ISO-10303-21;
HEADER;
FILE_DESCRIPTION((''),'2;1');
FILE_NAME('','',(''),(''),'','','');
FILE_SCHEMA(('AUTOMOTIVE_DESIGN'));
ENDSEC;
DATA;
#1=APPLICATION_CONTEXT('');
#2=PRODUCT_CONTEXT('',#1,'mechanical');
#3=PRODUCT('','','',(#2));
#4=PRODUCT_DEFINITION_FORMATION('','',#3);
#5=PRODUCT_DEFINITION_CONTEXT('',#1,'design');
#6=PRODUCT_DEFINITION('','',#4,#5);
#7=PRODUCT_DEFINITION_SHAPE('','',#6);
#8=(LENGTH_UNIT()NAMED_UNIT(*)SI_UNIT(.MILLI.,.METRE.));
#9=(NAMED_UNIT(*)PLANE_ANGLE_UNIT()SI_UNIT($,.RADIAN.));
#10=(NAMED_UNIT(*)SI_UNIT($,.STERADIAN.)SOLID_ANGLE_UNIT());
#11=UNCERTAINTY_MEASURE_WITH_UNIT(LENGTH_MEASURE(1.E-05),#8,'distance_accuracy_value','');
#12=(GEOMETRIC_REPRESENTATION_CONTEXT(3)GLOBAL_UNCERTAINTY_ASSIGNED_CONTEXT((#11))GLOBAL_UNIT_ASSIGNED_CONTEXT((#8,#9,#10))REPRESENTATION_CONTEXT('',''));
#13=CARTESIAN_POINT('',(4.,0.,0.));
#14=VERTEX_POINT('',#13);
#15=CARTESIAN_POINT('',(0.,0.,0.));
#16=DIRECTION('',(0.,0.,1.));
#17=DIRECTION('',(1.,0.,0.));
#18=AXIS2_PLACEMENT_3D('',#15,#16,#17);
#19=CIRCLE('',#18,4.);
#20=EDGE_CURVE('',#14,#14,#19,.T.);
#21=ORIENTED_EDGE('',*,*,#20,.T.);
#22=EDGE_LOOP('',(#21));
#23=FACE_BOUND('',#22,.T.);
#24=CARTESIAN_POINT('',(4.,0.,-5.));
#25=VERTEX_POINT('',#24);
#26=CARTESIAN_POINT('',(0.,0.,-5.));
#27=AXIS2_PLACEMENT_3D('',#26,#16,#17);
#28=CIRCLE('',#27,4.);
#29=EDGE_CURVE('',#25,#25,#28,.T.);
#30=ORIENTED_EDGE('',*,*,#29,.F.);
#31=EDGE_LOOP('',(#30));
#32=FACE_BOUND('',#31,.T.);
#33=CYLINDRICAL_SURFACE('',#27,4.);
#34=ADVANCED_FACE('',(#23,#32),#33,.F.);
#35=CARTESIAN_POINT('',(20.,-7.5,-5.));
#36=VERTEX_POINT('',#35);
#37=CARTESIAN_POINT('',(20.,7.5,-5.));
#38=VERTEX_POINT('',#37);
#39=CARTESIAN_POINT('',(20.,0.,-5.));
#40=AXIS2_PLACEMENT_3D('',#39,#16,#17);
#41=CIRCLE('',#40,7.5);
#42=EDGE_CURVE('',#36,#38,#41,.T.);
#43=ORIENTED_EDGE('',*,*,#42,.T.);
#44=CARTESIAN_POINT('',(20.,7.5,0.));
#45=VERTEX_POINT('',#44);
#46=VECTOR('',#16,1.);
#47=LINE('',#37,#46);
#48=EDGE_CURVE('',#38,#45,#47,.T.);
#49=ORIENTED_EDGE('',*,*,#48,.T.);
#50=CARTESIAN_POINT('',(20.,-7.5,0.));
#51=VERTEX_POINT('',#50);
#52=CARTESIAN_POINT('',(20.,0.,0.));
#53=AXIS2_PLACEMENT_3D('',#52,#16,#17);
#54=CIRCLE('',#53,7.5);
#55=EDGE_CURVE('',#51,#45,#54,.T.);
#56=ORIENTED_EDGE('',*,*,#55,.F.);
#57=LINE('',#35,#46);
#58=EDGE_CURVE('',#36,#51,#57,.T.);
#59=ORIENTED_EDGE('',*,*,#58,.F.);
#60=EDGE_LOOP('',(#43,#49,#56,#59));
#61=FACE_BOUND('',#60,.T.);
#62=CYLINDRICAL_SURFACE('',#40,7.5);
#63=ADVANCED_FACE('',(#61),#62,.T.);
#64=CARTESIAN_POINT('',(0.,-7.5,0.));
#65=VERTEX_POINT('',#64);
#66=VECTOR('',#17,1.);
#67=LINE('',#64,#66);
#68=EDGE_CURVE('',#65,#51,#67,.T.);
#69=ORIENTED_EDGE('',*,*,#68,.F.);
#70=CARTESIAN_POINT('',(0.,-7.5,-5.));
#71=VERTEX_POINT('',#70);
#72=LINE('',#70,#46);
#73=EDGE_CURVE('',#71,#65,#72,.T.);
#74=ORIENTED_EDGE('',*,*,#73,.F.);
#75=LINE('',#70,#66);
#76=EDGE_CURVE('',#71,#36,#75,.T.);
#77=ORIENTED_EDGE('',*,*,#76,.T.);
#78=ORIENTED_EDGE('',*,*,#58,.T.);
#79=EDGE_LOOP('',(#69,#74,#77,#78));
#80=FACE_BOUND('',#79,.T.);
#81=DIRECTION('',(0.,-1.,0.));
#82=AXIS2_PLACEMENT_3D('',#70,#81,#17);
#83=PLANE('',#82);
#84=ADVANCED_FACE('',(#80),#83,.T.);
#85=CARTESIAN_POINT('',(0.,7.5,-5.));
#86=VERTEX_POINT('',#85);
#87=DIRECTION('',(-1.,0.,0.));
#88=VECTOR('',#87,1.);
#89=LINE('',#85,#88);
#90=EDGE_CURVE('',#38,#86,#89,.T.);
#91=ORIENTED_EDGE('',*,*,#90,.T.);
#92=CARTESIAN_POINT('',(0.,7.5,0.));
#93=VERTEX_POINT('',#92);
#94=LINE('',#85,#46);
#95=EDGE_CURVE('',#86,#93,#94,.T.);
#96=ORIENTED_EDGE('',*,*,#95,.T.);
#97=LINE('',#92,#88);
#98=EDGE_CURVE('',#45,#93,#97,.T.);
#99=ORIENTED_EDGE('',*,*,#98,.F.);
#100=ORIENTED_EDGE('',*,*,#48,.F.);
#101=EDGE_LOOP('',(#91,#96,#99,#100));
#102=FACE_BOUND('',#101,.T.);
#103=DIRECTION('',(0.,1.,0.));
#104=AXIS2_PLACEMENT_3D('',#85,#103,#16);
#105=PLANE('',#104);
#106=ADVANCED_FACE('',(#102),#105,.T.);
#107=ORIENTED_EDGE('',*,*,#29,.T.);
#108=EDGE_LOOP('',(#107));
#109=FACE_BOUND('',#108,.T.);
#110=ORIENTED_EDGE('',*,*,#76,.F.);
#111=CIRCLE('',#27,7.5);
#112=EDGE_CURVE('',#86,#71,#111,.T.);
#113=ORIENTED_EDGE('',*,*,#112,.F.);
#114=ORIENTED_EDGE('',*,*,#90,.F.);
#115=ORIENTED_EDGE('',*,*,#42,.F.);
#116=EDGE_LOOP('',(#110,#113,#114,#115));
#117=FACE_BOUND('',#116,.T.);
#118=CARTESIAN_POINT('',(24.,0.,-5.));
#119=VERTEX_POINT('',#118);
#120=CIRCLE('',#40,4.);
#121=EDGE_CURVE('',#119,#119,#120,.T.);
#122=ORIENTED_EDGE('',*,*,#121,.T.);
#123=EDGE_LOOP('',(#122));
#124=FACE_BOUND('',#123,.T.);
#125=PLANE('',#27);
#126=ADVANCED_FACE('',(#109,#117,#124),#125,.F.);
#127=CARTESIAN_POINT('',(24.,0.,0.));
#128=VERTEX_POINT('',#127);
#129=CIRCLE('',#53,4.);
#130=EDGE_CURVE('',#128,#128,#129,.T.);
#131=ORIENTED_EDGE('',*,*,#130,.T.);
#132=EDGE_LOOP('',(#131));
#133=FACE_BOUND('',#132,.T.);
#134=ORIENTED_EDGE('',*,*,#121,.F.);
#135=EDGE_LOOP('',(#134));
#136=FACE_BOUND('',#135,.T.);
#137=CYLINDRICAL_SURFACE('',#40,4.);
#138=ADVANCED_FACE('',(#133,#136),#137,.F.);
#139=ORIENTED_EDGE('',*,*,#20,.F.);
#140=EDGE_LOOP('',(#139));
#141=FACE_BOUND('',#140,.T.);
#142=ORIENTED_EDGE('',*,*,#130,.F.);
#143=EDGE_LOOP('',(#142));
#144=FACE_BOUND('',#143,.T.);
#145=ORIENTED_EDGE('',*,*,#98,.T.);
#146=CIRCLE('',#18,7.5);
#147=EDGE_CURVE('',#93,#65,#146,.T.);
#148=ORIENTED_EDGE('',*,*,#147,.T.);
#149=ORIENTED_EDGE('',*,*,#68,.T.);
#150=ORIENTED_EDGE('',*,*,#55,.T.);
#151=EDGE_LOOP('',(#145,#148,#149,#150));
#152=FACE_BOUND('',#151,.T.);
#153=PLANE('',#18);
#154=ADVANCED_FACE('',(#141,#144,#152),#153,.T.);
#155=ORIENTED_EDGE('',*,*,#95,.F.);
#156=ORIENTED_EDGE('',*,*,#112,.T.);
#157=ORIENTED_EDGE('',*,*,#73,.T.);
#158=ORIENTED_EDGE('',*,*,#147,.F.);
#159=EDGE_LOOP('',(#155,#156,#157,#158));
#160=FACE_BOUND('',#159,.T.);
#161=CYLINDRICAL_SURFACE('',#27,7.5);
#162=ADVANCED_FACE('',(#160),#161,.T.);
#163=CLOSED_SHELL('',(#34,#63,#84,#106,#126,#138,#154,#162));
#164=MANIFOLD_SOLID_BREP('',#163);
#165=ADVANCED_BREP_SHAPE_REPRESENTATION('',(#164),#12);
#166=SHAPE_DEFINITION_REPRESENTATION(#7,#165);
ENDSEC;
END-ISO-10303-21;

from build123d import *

# Parameters (mm, degrees)
SKETCH2_R           = 4
BOSS_EXTRUDE1_DEPTH = 5


with BuildPart() as part:
    # Sketch2 → Boss-Extrude1 (new body)
    with BuildSketch(Plane.XY):
        with BuildLine():
            Line((0, 7.5), (20, 7.5))
            ThreePointArc((20, 7.5), (27.5, 0), (20, -7.5))
            Line((20, -7.5), (0, -7.5))
            ThreePointArc((0, -7.5), (-7.5, 0), (0, 7.5))
        make_face()
        Circle(SKETCH2_R, mode=Mode.SUBTRACT)
        with Locations((20, 0)):
            Circle(SKETCH2_R, mode=Mode.SUBTRACT)
    extrude(amount=-BOSS_EXTRUDE1_DEPTH)


solid = part.part
